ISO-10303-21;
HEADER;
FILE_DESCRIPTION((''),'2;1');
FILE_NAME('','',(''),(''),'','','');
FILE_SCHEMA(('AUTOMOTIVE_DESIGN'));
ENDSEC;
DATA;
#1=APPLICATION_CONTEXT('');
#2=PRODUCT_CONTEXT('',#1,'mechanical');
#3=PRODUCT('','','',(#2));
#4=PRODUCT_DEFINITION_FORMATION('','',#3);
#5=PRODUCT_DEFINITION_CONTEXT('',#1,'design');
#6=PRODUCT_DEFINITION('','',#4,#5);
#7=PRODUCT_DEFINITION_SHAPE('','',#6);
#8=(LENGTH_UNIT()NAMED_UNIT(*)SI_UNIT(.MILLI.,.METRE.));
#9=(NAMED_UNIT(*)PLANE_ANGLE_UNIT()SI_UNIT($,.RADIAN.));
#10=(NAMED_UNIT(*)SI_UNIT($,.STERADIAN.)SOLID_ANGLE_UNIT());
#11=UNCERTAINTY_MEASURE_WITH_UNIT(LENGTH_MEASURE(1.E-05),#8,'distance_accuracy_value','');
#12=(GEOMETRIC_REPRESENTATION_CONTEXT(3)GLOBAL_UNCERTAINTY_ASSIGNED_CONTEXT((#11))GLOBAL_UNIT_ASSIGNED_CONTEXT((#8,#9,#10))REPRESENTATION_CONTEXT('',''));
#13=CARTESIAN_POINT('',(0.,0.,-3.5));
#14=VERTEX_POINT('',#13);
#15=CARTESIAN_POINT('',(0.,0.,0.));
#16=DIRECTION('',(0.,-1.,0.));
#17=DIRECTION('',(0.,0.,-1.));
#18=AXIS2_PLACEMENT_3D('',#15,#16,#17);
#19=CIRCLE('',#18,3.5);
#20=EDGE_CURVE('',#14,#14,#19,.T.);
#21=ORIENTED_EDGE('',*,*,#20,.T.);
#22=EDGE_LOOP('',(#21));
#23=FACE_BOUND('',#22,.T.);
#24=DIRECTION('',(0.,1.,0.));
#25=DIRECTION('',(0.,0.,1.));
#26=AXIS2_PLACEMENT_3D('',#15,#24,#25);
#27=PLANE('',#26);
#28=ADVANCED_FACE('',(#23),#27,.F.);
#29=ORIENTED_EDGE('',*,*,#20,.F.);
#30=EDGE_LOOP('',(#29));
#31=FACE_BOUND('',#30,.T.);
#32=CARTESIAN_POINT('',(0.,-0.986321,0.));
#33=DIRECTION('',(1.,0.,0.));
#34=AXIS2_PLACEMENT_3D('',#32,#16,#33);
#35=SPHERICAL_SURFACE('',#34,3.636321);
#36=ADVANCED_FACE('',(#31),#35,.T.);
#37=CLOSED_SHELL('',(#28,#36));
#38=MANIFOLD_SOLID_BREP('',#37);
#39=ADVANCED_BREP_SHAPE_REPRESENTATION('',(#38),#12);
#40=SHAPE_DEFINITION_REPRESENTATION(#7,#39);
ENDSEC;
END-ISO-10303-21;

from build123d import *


with BuildPart() as part:
    # Sketch1 → Revolve1 (revolve)
    with BuildSketch(Plane.XY):
        with BuildLine():
            Line((0, 0), (-3.5, 0))
            ThreePointArc((-3.5, 0), (-2.195022779, 1.912765934), (0, 2.65))
            Line((0, 2.65), (0, 0))
        make_face()
    revolve(axis=Axis((0, 0, 0), (0, 1, 0)))


solid = part.part
